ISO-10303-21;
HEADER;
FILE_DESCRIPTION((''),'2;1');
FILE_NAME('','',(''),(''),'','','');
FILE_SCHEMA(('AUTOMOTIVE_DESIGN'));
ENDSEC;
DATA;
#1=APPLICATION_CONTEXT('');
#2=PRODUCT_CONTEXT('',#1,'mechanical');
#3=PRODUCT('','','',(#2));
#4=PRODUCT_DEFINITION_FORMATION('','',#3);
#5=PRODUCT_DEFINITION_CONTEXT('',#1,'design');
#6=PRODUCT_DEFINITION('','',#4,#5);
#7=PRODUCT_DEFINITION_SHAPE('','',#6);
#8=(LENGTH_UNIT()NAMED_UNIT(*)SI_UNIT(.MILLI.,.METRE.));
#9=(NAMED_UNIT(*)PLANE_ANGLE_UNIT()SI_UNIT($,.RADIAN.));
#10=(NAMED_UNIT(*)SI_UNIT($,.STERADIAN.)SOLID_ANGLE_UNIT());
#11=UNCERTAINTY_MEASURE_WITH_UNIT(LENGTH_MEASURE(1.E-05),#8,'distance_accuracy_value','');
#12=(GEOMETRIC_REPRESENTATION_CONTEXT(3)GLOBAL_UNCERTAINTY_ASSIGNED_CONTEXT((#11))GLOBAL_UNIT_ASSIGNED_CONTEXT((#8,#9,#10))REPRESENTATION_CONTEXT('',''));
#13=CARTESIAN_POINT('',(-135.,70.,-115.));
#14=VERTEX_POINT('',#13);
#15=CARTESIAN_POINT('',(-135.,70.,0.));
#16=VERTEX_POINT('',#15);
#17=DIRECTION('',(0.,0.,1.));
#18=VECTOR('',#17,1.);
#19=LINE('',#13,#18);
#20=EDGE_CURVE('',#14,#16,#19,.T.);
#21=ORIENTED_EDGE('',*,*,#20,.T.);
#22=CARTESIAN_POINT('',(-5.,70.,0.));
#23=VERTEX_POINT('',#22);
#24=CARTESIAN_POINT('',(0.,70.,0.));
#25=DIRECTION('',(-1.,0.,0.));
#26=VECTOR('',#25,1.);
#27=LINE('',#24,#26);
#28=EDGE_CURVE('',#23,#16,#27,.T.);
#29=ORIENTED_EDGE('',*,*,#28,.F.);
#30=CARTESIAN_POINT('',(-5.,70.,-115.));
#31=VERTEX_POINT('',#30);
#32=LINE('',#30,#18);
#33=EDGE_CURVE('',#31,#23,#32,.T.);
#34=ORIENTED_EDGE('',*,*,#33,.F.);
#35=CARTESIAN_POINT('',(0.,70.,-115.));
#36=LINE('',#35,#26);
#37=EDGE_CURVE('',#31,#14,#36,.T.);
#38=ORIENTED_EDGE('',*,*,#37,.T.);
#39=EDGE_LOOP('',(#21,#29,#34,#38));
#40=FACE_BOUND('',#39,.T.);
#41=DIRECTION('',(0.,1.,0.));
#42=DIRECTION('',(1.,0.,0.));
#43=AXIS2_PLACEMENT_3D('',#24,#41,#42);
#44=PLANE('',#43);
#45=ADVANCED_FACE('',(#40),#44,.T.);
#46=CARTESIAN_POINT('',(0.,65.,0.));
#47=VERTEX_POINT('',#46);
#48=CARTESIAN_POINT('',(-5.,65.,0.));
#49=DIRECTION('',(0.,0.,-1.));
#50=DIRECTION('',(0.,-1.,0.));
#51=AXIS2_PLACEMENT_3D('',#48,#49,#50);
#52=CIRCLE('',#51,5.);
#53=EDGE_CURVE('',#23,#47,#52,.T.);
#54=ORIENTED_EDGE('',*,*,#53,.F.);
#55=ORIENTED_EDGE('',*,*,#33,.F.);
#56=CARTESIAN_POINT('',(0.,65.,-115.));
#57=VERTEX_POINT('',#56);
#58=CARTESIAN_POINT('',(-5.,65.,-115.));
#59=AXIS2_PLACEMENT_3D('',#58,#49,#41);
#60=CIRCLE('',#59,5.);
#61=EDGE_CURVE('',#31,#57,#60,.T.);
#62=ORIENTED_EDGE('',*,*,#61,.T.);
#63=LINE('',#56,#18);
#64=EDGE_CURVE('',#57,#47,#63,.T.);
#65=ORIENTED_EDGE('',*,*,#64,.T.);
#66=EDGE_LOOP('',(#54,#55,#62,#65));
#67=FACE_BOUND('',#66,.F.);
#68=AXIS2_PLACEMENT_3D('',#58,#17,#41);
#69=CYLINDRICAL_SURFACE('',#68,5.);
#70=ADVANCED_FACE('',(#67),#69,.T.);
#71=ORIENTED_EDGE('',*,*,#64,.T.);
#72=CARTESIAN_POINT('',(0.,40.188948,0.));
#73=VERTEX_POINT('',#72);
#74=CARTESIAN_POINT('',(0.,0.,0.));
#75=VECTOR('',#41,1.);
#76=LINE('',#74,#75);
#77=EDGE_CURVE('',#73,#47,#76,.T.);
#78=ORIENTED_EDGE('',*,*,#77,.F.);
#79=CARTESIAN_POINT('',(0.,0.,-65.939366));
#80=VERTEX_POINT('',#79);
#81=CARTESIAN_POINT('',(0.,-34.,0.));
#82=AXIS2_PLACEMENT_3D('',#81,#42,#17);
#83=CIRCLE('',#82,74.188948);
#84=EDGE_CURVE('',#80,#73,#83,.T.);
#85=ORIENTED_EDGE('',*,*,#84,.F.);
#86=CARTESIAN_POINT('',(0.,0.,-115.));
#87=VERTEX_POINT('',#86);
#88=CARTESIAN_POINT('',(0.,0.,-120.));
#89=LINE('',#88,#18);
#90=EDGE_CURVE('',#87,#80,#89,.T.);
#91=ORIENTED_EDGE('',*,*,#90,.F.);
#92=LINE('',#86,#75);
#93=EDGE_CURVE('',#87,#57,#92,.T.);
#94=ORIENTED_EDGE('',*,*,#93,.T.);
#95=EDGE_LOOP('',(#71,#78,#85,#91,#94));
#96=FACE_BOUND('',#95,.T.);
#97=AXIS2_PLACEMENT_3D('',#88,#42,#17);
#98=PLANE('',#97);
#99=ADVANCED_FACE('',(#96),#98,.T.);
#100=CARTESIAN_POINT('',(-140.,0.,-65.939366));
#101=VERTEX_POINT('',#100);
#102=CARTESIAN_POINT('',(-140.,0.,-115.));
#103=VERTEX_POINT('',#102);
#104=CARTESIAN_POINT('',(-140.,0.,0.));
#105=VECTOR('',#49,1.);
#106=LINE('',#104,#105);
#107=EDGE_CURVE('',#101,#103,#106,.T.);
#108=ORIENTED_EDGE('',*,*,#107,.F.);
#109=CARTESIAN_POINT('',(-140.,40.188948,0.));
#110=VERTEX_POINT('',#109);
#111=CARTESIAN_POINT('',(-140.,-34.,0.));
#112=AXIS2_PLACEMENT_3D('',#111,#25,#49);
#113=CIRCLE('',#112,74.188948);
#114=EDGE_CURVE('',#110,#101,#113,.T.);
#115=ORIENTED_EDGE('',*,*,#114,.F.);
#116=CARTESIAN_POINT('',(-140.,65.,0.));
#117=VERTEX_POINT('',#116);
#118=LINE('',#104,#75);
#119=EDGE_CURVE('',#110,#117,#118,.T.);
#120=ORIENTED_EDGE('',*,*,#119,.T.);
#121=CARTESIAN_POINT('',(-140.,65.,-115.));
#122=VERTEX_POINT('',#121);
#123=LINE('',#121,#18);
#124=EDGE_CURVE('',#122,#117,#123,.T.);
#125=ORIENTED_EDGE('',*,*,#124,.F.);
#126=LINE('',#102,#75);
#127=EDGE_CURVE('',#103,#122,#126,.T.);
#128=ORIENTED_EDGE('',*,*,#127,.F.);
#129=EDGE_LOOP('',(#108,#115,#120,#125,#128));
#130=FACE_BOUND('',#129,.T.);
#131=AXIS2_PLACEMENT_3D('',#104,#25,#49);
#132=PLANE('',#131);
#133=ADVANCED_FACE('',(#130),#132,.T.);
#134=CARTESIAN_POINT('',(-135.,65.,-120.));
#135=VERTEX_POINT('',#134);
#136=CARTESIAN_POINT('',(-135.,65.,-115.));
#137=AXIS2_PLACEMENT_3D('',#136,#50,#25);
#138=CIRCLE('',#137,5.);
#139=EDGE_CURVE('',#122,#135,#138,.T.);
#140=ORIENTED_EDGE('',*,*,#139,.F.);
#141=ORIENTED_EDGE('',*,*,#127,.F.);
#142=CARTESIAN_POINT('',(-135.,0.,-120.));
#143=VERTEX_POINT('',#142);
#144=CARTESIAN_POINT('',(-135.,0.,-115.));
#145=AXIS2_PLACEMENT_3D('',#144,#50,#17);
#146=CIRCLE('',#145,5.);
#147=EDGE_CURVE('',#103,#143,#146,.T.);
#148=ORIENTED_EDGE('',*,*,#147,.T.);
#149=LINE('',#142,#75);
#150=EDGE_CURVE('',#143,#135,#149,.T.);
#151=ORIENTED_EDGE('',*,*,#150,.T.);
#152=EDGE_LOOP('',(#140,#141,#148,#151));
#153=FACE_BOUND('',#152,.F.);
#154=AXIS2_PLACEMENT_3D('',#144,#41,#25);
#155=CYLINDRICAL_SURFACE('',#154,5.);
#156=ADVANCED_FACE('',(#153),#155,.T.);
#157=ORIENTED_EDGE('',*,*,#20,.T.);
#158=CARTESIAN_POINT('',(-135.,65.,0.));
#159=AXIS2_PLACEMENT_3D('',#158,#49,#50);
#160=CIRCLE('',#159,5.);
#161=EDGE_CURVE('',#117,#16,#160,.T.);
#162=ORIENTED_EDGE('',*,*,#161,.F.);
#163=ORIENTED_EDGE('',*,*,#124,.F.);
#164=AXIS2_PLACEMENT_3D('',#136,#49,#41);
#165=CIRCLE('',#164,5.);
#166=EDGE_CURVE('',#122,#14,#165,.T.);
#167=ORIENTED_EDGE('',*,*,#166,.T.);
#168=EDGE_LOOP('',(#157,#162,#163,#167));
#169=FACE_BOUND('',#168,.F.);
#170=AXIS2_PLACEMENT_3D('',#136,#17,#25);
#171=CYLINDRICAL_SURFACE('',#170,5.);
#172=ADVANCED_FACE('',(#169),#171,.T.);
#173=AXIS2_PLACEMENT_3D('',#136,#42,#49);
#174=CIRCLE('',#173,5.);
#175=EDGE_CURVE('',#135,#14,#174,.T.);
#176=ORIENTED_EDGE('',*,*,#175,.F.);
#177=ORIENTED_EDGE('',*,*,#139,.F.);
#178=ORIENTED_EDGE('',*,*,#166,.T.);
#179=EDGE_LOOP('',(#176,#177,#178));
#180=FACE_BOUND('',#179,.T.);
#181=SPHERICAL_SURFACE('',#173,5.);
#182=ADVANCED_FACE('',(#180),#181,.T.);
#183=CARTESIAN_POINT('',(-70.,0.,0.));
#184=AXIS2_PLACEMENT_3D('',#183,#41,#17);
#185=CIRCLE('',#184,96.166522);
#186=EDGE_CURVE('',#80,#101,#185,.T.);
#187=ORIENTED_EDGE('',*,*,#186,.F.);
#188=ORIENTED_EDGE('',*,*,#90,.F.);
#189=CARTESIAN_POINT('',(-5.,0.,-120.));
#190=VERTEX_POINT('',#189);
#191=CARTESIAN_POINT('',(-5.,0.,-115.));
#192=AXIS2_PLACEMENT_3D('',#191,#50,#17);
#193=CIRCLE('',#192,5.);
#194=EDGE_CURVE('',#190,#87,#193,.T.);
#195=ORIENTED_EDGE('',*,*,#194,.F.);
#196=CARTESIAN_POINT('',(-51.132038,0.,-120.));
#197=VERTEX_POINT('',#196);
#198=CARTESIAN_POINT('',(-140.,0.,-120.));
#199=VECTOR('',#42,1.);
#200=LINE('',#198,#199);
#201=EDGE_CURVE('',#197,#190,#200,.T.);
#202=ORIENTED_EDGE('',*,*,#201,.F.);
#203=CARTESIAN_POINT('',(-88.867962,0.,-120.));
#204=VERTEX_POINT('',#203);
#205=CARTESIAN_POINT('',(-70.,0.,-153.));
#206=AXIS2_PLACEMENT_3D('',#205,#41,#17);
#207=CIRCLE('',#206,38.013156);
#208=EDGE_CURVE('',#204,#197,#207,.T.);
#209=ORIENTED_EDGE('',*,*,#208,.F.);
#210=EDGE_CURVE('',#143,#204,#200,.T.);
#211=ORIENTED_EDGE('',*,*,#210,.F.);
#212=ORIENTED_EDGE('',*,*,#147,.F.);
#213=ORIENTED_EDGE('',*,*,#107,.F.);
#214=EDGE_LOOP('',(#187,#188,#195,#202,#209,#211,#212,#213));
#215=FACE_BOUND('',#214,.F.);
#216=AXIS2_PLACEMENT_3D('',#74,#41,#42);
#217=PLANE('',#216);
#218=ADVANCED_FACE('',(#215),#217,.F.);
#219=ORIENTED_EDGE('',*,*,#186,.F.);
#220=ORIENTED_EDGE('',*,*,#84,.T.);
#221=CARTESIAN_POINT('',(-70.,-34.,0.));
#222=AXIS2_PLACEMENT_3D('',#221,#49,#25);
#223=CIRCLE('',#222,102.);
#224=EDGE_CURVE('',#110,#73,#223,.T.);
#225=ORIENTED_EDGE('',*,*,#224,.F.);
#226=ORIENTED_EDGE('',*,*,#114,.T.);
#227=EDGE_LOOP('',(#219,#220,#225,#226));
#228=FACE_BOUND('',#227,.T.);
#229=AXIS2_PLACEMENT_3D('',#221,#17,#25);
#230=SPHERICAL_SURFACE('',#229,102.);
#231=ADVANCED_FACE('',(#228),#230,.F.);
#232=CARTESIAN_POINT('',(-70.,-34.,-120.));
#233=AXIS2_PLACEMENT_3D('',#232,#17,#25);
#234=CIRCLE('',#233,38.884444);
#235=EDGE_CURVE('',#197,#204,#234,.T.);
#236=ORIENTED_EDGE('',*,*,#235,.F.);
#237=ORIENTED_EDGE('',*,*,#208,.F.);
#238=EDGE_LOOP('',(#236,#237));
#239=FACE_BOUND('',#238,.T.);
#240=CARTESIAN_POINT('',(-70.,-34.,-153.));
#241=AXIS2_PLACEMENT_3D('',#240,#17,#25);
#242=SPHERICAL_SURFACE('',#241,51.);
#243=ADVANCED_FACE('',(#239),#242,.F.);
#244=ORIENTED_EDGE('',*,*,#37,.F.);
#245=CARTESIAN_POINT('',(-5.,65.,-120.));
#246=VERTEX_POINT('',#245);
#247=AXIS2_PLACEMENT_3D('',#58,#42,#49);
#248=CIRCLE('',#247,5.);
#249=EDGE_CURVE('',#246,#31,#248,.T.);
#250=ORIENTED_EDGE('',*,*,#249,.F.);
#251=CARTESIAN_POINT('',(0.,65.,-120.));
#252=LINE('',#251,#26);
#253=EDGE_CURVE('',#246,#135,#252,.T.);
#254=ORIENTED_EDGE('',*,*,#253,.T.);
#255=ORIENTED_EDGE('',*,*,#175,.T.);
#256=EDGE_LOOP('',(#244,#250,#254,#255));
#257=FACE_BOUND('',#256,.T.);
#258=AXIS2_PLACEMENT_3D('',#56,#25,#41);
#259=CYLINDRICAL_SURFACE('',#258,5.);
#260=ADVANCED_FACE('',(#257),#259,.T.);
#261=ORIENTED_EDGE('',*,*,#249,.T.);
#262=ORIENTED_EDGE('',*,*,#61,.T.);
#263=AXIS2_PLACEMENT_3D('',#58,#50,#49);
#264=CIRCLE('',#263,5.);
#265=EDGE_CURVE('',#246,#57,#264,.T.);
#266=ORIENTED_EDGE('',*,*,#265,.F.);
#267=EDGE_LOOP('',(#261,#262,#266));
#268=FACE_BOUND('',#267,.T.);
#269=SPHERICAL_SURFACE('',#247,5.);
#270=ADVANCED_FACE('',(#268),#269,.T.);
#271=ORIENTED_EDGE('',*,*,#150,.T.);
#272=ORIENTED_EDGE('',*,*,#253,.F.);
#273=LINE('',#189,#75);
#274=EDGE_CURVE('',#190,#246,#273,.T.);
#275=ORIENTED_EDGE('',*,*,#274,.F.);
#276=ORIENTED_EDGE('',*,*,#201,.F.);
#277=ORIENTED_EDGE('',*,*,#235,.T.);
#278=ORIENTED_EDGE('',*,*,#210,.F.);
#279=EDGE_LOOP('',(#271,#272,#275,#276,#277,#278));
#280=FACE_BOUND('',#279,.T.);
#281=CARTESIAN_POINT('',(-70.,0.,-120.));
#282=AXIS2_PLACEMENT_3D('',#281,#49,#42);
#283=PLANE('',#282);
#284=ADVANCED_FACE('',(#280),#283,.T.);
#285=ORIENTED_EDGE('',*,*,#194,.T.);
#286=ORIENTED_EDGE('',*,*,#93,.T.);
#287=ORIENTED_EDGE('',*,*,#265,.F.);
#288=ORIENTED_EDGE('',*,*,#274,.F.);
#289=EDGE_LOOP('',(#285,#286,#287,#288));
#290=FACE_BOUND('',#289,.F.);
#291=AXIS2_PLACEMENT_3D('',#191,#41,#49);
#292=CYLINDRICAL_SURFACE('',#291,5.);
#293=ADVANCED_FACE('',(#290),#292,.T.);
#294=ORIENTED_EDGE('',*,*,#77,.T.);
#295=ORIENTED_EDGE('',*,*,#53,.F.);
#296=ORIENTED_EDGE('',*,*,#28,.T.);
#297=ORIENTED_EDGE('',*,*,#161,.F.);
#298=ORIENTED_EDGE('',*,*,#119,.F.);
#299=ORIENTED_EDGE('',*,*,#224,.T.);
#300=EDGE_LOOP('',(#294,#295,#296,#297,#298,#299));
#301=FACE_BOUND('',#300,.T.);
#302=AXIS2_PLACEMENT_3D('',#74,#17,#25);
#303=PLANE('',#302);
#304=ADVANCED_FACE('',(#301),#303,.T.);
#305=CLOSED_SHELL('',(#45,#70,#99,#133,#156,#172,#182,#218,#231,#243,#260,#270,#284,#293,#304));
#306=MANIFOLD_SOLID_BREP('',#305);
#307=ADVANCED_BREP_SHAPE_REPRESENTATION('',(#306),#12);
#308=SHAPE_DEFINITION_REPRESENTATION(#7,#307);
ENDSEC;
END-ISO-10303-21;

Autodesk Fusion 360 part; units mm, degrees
sketch "Sketch15" plane through (0, 0, 0) normal (0, 1, 0) x (1, 0, 0)
  line L0 (0, 0) -> (-140, 0)
  line L1 (-140, 0) -> (-140, 120)
  line L2 (-140, 120) -> (0, 120)
  line L3 (0, 120) -> (0, 0)
  line L4 (0, 0) -> (-70, 0) construction
  line L5 (-70, 0) -> (-70, 102) construction
  line L6 (-70, 102) -> (-70, 153) construction
  line L7 (-70, 120) -> (-70, 0)
  arc A0 (-108.8844, 120) -> (-70, 102) centre (-70, 153) ccw
  arc A1 (-70, 102) -> (-140, 74.1889) centre (-70, 0) ccw
  dimension "d65" = 140
  dimension "d66" = 120
  dimension "d67" = 70
  dimension "d68" = 102
  dimension "d69" = 204
  dimension "d70" = 51
  dimension "d71" = 102
extrude "Extrude9" add sketch "Sketch15" along normal blind 70
ref_plane "WorkPlane3" through (-70, -34, -60) normal (0, 1, 0) x (0, 0, 1)
sketch "Sketch16" plane through (0, -34, 0) normal (0, 1, 0) x (1, 0, 0)
  line L0 (0, 0) -> (-70, 0) construction
  line L1 (-70, 0) -> (-70, 153) construction
  line L2 (-70, 0) -> (-70, 204)
  line L3 (-70, 0) -> (-172, 0)
  arc A0 (-70, 102) -> (-172, 0) centre (-70, 0) ccw
  arc A1 (-70, 204) -> (-70, 102) centre (-70, 153) ccw
  dimension "d75" = 70
  dimension "d76" = 153
  dimension "d77" = 204
  dimension "d78" = 102
revolve "Revolve6" cut sketch "Sketch16" angle 360 about axis through (-70, -34, 0) along (0, 0, -1)
fillet "Fillet1" radius 5 1 edges at (-70, 70, -120)
fillet "Fillet2" radius 5 3 edges at (-140, 32.5, -120) (-140, 68.5355, -118.5355) (-140, 70, -57.5)
fillet "Fillet3" radius 5 3 edges at (0, 32.5, -120) (0, 68.5355, -118.5355) (0, 70, -57.5)
